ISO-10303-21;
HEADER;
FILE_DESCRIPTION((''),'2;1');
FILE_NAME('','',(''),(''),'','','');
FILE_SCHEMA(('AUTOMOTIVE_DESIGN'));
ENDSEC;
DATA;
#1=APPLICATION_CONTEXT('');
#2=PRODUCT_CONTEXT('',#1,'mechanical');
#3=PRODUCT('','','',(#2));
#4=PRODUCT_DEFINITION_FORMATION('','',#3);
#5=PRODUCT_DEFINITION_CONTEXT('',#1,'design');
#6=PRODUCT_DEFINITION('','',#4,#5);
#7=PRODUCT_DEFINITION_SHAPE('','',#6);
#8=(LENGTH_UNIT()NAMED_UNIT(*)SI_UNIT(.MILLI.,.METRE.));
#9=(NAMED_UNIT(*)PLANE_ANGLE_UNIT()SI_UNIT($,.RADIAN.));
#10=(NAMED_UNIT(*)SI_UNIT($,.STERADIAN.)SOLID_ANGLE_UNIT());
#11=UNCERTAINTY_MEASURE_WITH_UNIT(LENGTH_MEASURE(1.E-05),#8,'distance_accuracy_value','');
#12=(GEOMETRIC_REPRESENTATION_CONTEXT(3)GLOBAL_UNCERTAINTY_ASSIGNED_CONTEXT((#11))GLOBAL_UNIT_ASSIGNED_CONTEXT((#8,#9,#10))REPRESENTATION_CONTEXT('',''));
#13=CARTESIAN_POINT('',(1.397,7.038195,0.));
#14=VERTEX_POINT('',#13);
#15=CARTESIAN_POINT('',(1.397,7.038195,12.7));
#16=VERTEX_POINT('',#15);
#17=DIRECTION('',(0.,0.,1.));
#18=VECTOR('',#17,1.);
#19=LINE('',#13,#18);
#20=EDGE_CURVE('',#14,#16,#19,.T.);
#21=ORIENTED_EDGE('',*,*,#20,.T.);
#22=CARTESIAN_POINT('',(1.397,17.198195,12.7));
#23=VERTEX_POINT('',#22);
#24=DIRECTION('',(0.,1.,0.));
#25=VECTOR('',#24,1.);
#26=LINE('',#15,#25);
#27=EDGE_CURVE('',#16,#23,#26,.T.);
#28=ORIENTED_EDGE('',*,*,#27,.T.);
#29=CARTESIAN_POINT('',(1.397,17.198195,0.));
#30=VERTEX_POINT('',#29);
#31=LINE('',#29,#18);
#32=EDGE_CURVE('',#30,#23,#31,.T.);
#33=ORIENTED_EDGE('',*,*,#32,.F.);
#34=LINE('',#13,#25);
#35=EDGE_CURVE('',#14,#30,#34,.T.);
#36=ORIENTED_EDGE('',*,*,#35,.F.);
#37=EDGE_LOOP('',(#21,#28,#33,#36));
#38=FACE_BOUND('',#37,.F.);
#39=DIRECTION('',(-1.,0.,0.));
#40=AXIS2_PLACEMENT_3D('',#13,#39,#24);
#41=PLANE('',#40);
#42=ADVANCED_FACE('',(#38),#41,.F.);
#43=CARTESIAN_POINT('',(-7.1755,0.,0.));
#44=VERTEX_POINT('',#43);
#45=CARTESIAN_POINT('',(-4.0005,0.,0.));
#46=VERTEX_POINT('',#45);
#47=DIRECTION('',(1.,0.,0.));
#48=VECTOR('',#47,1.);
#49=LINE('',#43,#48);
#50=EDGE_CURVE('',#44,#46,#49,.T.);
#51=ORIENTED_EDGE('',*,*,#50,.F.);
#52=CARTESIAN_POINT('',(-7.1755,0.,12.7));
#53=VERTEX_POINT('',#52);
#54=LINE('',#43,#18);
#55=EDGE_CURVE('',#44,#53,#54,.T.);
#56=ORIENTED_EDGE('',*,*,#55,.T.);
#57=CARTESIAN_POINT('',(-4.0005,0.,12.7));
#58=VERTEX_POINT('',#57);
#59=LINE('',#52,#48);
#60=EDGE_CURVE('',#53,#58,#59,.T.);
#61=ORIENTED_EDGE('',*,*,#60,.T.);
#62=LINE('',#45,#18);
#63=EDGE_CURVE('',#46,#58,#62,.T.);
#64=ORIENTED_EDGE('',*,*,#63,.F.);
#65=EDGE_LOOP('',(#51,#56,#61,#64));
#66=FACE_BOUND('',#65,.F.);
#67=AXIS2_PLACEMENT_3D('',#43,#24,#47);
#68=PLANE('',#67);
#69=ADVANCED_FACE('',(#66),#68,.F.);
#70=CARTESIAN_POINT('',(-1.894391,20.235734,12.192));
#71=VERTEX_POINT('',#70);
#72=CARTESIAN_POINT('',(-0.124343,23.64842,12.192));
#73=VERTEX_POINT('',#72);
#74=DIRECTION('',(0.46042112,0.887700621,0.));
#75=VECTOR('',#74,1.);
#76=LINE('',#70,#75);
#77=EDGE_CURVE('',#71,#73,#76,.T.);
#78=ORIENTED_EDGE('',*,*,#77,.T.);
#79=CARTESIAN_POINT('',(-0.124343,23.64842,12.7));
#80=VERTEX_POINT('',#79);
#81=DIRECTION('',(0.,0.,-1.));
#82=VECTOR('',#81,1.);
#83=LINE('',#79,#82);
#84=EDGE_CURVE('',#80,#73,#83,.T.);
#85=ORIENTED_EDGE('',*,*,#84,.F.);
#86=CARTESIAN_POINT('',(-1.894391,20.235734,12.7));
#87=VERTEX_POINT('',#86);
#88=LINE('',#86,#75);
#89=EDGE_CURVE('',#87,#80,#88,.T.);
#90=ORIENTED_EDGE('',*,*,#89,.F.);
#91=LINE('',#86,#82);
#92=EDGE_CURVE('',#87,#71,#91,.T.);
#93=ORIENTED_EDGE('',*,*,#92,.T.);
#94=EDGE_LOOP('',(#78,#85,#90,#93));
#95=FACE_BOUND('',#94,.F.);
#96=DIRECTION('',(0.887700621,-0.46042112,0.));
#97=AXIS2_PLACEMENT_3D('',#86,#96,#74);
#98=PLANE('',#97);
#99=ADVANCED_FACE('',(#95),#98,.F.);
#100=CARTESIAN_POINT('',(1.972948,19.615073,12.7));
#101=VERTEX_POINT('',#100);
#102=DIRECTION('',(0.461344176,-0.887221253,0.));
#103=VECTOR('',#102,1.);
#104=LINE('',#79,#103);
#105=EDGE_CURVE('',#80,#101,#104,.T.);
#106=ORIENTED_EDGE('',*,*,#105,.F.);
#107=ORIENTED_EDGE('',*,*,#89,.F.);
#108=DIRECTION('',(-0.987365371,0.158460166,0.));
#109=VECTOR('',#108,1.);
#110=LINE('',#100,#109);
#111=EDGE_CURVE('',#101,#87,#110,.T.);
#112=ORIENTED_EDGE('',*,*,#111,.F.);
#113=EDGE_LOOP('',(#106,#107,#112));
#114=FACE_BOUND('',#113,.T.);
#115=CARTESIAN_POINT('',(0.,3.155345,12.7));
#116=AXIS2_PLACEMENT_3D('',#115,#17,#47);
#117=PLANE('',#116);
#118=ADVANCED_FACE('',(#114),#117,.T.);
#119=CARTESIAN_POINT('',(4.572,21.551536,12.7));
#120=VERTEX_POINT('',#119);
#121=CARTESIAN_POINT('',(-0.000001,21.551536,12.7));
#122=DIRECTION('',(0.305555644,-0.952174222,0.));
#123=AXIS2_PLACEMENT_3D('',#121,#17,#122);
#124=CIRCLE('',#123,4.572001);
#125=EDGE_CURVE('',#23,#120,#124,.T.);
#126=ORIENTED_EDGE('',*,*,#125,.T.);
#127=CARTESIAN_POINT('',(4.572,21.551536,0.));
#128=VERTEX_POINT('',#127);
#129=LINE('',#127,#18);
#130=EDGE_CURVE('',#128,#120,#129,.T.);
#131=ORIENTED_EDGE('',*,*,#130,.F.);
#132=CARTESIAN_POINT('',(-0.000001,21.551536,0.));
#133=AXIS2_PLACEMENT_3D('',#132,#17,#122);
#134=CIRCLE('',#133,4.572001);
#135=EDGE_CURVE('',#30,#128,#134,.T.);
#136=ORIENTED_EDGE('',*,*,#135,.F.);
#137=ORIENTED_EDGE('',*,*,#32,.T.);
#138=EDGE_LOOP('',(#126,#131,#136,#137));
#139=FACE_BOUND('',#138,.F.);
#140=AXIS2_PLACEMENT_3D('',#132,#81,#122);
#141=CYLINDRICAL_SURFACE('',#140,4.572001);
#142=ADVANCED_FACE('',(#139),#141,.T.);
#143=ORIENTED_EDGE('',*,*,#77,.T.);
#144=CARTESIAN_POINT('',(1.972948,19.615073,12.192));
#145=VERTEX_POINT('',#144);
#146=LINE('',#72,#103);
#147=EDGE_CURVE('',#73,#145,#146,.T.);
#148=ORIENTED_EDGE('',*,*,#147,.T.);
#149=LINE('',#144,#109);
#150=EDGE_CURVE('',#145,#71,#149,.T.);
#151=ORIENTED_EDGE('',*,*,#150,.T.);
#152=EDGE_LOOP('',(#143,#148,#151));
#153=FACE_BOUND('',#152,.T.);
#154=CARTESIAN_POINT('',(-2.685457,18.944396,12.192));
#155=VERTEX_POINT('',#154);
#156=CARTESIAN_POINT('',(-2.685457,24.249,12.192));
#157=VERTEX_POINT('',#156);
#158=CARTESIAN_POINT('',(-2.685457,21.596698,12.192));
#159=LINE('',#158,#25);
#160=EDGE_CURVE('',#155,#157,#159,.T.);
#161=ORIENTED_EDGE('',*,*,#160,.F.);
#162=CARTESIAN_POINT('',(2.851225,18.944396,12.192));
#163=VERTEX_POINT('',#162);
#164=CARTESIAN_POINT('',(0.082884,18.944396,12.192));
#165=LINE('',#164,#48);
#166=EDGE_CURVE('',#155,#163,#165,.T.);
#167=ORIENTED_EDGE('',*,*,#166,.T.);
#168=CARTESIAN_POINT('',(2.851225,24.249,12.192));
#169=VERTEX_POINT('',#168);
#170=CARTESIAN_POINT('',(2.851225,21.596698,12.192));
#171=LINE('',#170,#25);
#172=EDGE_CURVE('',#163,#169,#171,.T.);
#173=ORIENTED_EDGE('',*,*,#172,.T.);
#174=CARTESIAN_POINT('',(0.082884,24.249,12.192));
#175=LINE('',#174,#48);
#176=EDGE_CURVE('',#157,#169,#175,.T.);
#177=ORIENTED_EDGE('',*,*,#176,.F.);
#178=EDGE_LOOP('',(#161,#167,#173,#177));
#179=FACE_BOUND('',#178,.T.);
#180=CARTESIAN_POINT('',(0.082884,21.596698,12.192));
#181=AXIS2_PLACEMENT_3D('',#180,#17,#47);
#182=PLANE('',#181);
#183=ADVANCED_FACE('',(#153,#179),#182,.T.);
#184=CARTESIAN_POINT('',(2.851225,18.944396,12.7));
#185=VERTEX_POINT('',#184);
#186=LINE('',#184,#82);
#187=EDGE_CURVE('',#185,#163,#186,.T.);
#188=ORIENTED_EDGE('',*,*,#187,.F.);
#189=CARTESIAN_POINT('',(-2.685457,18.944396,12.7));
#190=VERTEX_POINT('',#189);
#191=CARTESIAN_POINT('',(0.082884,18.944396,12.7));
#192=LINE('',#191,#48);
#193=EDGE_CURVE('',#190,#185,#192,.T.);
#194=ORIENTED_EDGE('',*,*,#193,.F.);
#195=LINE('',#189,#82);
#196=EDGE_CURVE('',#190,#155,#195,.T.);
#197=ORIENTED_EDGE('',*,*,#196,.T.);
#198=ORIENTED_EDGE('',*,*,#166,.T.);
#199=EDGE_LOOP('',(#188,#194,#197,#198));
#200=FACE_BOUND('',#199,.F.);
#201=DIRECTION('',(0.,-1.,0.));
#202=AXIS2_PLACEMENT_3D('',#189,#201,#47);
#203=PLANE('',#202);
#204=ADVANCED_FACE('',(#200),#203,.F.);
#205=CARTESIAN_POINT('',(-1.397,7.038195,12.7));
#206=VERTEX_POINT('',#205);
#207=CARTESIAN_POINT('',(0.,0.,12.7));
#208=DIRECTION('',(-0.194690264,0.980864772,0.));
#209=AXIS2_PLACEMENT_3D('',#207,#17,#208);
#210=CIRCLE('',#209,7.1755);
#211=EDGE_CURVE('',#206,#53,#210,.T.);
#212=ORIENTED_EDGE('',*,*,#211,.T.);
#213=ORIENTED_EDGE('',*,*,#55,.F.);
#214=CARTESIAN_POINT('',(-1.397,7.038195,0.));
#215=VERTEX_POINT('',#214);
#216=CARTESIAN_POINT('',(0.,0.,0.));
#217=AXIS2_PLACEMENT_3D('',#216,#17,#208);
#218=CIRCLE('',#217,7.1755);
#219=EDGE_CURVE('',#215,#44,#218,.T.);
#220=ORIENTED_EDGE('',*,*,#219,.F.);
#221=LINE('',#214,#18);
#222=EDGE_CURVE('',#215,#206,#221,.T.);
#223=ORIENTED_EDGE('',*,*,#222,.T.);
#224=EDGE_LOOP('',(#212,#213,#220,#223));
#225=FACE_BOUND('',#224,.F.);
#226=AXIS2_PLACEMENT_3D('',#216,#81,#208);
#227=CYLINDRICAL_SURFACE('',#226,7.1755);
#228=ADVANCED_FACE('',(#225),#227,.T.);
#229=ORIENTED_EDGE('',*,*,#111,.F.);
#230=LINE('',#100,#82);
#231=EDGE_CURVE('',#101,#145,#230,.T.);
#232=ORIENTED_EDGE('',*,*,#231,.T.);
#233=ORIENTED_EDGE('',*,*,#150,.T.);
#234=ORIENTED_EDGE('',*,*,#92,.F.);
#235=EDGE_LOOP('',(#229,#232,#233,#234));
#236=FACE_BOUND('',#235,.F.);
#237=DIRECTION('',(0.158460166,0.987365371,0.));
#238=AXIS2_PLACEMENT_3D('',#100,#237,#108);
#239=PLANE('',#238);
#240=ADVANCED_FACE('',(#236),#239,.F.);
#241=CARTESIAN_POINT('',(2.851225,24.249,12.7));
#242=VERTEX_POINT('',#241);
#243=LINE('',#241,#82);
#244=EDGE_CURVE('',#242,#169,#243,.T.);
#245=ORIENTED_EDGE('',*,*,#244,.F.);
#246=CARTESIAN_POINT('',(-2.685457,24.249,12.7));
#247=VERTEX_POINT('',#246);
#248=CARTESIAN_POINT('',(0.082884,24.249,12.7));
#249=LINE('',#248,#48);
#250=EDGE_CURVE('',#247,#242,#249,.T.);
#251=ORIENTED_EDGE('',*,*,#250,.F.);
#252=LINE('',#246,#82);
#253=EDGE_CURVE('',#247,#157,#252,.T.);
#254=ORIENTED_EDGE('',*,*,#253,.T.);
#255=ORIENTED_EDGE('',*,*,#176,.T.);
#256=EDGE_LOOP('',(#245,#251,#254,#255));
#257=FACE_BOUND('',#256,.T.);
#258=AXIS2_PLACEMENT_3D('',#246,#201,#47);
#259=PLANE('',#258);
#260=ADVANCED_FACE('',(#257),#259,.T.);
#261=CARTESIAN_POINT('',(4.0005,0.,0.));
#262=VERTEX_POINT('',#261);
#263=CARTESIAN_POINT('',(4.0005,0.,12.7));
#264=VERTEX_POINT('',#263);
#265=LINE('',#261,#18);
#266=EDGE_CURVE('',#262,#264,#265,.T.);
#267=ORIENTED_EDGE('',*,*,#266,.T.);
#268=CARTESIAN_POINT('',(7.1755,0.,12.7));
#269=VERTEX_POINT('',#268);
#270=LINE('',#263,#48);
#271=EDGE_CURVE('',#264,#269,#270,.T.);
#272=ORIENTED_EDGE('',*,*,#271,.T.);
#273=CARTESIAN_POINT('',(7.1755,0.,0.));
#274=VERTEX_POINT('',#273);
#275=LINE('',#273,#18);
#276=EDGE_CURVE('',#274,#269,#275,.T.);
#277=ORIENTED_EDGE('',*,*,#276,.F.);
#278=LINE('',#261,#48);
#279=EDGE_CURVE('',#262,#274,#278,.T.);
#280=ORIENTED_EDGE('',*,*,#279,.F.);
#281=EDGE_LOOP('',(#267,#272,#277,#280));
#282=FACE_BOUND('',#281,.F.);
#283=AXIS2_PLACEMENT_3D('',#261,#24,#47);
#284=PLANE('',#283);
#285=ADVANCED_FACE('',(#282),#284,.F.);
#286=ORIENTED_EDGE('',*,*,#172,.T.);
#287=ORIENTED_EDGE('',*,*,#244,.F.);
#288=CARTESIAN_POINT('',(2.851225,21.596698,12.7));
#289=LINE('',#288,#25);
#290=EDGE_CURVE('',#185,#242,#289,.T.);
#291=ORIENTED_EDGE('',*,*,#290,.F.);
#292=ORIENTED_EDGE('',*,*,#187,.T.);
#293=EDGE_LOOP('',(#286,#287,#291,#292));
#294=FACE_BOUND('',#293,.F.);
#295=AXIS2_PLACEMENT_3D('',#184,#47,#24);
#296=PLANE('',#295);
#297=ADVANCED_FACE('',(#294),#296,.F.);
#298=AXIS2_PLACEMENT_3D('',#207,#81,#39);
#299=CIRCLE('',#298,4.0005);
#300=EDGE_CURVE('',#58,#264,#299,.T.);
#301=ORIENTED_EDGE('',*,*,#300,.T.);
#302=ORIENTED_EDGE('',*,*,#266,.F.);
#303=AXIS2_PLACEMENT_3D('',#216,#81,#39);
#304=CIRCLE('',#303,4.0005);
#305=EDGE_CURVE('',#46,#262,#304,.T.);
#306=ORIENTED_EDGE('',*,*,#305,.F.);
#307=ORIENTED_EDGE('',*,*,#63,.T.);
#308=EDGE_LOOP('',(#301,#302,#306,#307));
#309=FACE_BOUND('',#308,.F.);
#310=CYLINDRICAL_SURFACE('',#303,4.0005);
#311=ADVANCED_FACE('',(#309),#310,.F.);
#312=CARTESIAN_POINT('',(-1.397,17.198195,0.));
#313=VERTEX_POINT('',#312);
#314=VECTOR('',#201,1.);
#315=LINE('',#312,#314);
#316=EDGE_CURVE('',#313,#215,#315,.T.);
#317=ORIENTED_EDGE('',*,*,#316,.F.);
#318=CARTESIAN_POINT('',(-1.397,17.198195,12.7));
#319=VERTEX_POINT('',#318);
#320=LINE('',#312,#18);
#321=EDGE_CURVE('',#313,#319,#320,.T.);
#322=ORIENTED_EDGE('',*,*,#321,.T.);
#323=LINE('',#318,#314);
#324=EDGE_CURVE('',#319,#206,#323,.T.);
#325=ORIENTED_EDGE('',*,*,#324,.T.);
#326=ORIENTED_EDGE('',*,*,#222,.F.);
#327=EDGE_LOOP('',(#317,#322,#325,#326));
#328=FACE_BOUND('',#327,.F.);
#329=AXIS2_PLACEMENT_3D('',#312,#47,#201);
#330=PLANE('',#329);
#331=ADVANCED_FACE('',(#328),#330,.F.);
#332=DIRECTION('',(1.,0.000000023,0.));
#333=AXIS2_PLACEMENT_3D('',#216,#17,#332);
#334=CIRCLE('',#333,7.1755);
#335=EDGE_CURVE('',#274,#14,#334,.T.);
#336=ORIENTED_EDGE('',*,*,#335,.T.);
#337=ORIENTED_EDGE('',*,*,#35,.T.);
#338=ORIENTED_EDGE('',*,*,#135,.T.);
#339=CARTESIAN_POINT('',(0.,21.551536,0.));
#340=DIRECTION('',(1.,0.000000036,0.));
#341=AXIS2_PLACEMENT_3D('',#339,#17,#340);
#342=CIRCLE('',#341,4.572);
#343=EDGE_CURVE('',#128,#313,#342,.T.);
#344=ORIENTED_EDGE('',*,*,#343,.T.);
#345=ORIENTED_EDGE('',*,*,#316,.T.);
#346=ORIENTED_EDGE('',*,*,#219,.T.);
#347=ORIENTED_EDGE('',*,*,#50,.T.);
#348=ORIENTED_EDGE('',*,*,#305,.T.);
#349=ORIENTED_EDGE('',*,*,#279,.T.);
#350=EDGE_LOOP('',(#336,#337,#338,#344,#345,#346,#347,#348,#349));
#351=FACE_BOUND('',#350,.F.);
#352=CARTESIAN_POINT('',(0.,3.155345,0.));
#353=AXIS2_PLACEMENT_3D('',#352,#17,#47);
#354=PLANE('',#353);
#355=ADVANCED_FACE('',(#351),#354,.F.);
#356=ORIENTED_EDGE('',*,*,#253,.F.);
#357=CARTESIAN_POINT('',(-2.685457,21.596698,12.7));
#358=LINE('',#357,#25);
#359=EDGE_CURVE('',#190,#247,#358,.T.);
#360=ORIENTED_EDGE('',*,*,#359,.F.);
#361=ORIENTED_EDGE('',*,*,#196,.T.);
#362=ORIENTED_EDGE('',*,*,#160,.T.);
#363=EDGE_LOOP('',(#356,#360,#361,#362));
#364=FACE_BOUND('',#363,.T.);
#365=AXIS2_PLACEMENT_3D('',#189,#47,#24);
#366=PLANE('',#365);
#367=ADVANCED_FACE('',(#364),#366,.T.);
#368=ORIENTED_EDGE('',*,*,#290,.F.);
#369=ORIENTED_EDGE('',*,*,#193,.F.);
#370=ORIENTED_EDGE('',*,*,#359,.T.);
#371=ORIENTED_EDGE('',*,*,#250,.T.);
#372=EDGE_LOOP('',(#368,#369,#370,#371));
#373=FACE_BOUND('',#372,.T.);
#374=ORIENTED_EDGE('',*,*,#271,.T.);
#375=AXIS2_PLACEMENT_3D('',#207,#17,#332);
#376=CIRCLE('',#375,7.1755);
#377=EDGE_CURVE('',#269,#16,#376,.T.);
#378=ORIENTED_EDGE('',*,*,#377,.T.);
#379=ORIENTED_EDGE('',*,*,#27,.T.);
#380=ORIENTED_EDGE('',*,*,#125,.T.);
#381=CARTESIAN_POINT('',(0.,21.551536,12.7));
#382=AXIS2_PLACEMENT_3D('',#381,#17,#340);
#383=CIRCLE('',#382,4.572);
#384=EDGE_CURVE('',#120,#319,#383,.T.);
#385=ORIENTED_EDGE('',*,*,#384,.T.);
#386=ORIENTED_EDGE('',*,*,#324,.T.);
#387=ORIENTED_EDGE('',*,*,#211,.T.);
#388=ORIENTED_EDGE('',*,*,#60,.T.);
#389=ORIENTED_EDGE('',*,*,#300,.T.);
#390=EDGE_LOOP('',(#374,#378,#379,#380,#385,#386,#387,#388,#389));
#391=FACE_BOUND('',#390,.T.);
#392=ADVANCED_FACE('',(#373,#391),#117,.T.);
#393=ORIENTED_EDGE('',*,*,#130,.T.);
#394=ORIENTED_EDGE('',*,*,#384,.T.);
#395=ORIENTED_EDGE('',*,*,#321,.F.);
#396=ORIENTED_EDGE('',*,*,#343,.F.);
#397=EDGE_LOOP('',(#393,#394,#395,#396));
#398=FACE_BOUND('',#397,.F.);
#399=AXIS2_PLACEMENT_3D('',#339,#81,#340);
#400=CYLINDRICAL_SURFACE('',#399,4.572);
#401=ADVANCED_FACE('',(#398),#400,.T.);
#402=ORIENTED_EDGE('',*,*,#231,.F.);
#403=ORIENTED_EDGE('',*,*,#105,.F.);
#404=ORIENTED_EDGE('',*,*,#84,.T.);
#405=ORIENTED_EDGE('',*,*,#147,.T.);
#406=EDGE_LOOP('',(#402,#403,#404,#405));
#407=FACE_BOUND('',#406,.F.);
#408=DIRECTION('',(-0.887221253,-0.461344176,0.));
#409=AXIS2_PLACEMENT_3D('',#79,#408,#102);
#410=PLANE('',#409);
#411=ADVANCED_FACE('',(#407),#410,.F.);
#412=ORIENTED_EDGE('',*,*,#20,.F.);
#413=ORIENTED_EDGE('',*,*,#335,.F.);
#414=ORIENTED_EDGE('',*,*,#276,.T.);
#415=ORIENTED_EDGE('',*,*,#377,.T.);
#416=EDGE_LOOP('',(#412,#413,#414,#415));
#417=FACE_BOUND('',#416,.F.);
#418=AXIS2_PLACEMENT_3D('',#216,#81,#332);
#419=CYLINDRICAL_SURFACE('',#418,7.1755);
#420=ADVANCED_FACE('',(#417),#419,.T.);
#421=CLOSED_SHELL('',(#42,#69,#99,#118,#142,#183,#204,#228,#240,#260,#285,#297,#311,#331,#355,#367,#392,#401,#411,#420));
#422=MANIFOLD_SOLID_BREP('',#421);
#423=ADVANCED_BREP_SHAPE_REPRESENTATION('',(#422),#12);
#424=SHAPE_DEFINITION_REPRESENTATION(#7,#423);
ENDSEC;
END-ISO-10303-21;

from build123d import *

# Parameters (mm, degrees)
F1_DEPTH = 12.7
F5_W     = 5.536682
F5_H     = 5.304604
F6_DEPTH = 0.508


with BuildPart() as f1:
    # F0 (on Top) → F1 (new body)
    with BuildSketch(Plane.XY):
        with BuildLine():
            ThreePointArc((-4.0005, 0), (0, 4.0005), (4.0005, 0))
            Line((4.0005, 0), (7.1755, 0))
            ThreePointArc((7.1755, 0), (5.545808, 4.55322), (1.397, 7.038195))
            ThreePointArc((1.397, 7.038195), (0, 7.1755), (-1.397, 7.038195))
            ThreePointArc((-1.397, 7.038195), (-5.545808, 4.55322), (-7.1755, 0))
            Line((-7.1755, 0), (-4.0005, 0))
        make_face()
        with BuildLine():
            ThreePointArc((-1.397, 7.038195), (0, 7.1755), (1.397, 7.038195))
            Line((1.397, 7.038195), (1.397, 17.198195))
            ThreePointArc((1.397, 17.198195), (0, 16.979536), (-1.397, 17.198195))
            Line((-1.397, 17.198195), (-1.397, 7.038195))
        make_face()
        with BuildLine():
            ThreePointArc((-1.397, 17.198195), (0, 16.979536), (1.397, 17.198195))
            ThreePointArc((1.397, 17.198195), (3.693932, 18.857459), (4.572, 21.551536))
            ThreePointArc((4.572, 21.551536), (-2.694077, 25.245468), (-1.397, 17.198195))
        make_face()
    extrude(amount=F1_DEPTH)

    # F5 (on face) → F6 (cut)
    with BuildSketch(Plane.XY.offset(12.7)):
        with Locations((0.082884, 21.596698)):
            Rectangle(F5_W, F5_H)
        Polygon((1.972948, 19.615073), (-1.894391, 20.235734), (-0.124343, 23.64842), align=None, mode=Mode.SUBTRACT)
    extrude(amount=-F6_DEPTH, mode=Mode.SUBTRACT)


solid = f1.part
